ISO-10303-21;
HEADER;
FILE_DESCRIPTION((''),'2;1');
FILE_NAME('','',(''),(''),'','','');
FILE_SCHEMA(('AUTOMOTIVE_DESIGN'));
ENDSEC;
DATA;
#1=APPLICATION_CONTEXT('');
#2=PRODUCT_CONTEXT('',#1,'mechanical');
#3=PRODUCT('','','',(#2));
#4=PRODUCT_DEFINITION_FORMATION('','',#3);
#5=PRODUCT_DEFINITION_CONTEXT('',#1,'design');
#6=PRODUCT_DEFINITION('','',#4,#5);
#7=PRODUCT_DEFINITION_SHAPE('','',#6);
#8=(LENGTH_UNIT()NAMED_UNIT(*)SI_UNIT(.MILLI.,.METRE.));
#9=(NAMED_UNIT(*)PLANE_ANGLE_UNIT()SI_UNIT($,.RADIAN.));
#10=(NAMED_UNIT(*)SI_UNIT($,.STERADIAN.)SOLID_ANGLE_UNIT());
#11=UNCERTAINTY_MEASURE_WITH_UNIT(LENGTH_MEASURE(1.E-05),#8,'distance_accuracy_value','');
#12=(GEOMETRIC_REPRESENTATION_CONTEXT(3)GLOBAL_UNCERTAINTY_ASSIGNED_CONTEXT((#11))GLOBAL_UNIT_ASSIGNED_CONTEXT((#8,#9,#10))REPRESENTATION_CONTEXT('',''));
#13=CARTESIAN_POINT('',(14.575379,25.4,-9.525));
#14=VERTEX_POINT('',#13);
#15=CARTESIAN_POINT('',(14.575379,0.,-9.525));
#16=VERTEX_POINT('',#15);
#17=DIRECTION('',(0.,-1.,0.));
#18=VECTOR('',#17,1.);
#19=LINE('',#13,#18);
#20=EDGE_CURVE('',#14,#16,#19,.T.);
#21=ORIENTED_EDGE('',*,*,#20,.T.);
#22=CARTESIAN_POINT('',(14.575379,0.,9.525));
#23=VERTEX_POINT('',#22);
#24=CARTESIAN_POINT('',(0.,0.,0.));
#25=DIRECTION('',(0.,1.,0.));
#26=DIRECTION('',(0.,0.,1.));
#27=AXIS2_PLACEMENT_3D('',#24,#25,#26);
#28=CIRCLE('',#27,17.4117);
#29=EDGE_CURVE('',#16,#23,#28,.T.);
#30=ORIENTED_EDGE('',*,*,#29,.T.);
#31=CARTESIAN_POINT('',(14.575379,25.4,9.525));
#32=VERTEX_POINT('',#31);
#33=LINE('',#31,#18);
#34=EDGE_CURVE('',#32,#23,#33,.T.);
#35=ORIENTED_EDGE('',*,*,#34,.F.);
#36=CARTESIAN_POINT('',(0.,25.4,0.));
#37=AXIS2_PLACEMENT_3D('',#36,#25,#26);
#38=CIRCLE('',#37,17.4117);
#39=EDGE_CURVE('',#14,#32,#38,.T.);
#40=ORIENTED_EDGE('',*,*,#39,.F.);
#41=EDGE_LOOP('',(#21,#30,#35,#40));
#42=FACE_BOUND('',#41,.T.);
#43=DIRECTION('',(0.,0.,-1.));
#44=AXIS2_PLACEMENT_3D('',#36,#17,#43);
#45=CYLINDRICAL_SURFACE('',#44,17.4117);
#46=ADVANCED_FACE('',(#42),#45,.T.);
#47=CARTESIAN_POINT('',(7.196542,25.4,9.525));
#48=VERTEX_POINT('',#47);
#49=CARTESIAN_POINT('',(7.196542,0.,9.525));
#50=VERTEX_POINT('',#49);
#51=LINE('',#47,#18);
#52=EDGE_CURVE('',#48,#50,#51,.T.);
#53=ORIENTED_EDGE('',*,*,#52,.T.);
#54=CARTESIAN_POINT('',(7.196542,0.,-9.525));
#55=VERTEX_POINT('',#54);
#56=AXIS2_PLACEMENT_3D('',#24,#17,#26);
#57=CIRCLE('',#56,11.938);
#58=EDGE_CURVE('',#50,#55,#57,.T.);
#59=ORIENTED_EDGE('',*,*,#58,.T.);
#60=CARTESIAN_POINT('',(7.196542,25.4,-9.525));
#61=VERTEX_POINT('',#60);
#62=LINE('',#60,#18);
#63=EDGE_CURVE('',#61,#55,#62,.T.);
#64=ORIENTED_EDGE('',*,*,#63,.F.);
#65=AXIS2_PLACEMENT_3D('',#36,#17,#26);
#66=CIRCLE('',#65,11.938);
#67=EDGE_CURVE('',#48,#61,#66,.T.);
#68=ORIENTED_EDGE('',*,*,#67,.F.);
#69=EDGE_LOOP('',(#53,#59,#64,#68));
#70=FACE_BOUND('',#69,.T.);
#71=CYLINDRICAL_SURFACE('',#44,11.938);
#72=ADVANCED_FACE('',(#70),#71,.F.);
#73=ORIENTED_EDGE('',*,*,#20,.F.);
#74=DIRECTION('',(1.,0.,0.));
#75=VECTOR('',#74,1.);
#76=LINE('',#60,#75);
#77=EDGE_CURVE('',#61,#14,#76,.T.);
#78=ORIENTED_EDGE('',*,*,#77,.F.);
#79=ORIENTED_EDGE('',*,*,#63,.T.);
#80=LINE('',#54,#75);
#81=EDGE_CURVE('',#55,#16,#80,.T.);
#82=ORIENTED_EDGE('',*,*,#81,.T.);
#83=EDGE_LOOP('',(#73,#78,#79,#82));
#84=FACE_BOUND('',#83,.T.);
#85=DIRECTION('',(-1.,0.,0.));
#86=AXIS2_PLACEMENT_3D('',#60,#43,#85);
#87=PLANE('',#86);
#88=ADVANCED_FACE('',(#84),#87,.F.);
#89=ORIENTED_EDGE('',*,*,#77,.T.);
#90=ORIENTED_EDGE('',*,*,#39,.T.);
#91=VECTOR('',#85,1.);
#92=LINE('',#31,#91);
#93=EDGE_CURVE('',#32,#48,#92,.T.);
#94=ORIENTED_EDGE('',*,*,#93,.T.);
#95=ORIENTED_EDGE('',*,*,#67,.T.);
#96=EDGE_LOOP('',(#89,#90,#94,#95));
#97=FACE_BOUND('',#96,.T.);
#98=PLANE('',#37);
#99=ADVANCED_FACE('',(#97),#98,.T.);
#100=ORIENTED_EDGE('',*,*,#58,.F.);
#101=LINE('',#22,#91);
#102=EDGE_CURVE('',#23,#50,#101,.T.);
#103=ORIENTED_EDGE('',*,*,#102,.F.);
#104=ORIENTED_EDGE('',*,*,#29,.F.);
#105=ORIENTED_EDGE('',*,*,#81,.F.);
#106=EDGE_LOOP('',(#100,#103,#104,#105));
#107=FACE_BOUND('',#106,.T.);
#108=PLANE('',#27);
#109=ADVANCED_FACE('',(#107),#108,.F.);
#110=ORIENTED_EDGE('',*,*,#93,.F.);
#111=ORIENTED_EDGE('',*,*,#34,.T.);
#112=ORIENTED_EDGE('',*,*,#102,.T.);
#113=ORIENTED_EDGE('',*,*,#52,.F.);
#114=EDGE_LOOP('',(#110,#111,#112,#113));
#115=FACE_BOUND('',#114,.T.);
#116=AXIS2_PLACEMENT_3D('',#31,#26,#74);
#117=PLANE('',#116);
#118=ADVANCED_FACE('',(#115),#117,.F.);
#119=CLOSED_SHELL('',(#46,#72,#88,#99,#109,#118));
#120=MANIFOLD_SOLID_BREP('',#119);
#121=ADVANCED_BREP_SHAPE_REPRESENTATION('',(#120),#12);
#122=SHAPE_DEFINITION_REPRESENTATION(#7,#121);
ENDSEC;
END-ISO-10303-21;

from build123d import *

# Parameters (mm, degrees)
BOSS_EXTRUDE1_DEPTH = 25.4


with BuildPart() as part:
    # Sketch1 → Boss-Extrude1 (new body)
    with BuildSketch(Plane(origin=(0, 0, 0), x_dir=(1, 0, 0), z_dir=(0, 1, 0))):
        with BuildLine():
            Line((7.196542156, 9.525), (14.575378962, 9.525))
            ThreePointArc((14.575378962, 9.525), (-17.4117, 0), (14.575378962, -9.525))
            Line((14.575378962, -9.525), (7.196542156, -9.525))
            ThreePointArc((7.196542156, -9.525), (-11.938, 0), (7.196542156, 9.525))
        make_face()
    extrude(amount=BOSS_EXTRUDE1_DEPTH)


solid = part.part
